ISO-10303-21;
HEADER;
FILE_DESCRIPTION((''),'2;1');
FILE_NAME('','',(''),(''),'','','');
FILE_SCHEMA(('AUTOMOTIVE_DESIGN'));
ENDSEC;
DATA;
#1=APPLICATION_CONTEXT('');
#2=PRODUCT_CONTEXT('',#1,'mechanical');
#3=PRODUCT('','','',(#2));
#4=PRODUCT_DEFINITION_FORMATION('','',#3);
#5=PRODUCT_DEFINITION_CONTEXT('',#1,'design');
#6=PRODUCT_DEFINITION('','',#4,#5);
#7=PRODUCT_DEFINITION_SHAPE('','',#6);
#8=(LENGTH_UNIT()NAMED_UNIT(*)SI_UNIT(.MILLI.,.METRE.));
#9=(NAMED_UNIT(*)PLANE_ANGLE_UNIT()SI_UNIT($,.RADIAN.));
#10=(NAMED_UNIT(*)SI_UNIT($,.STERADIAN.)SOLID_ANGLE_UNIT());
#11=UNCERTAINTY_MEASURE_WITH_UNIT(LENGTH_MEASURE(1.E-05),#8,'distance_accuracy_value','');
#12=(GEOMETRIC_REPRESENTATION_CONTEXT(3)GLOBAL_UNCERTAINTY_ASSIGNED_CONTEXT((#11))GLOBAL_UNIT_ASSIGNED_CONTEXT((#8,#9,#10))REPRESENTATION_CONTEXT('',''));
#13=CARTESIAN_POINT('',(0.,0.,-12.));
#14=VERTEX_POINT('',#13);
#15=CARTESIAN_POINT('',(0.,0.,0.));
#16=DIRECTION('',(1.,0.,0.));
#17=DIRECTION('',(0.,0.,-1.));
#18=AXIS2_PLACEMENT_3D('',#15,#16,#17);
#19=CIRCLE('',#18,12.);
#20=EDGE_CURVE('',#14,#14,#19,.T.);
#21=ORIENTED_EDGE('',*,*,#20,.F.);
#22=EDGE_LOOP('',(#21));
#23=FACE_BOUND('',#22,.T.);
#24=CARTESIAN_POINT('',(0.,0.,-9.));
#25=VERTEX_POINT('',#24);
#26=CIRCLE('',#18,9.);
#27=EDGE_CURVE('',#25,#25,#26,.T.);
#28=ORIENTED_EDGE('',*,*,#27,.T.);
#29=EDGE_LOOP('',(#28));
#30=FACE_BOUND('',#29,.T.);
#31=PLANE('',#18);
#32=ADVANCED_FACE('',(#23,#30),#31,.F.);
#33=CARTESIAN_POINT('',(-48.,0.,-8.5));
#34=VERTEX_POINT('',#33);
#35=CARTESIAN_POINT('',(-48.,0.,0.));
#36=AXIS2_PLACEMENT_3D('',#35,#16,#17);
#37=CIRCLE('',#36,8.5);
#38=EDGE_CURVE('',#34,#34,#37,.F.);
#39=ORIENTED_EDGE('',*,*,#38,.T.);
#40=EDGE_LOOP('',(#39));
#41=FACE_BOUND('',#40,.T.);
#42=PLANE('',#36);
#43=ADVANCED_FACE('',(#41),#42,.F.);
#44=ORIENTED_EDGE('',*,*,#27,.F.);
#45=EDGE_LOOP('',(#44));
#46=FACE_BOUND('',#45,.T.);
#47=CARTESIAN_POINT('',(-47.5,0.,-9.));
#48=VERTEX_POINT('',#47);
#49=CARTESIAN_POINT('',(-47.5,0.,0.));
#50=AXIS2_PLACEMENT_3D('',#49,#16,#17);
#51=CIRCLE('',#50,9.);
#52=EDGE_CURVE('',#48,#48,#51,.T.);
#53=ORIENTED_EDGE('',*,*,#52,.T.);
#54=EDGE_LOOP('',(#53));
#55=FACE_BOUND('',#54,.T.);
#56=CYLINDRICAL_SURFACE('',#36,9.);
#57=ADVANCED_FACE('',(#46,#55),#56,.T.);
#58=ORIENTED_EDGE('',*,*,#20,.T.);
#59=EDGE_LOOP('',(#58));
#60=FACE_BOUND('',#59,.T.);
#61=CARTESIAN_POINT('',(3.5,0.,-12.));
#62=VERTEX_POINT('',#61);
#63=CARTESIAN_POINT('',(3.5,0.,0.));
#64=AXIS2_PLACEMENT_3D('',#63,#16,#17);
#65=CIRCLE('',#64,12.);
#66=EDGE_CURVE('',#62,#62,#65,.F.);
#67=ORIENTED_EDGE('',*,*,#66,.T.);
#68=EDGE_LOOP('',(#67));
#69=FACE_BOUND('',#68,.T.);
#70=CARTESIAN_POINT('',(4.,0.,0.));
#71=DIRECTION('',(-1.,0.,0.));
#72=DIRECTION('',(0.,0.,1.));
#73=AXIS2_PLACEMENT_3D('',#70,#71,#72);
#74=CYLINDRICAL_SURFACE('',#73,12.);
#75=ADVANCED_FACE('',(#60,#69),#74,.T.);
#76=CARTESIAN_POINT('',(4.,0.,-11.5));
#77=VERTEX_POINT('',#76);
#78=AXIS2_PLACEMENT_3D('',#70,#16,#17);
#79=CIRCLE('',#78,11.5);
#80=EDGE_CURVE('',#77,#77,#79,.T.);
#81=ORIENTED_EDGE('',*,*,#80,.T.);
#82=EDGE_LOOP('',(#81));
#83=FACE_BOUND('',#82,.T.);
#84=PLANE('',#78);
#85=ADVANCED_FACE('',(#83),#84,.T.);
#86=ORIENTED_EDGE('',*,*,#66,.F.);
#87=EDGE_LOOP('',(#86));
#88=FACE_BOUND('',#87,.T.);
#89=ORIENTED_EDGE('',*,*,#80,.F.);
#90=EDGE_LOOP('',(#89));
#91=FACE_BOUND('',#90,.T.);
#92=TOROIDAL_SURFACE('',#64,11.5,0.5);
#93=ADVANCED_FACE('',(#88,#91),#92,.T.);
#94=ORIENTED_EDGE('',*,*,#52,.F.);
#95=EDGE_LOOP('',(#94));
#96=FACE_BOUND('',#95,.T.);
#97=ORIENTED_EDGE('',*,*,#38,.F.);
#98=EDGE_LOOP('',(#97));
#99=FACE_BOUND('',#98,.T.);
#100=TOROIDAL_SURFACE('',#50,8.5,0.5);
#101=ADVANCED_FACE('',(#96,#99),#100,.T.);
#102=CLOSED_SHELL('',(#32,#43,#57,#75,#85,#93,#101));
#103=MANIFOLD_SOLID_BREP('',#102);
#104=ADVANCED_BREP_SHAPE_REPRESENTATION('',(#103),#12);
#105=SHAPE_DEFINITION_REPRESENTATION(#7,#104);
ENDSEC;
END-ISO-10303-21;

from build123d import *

# Parameters (mm, degrees)
SKETCH_1_R      = 9
EXTRUDE_1_DEPTH = 48
SKETCH_2_R      = 12
EXTRUDE_2_DEPTH = 4
FILLET_1_R      = 0.5
FILLET_2_R      = 0.5


with BuildPart() as part:
    # 草图1 → 凸台-拉伸1 (new body)
    with BuildSketch(Plane(origin=(0, 0, 0), x_dir=(0, 0, -1), z_dir=(1, 0, 0))):
        Circle(SKETCH_1_R)
    extrude(amount=-EXTRUDE_1_DEPTH)

    # 草图2 → 凸台-拉伸2 (add)
    with BuildSketch(Plane(origin=(0, 0, 0), x_dir=(0, 0, -1), z_dir=(1, 0, 0))):
        Circle(SKETCH_2_R)
    extrude(amount=EXTRUDE_2_DEPTH)

    # 圆角1
    fillet_1_edges = [part.edges().sort_by_distance(p)[0] for p in [
        (4, 0, 12),
    ]]
    fillet(fillet_1_edges, radius=FILLET_1_R)

    # 圆角2
    fillet_2_edges = [part.edges().sort_by_distance(p)[0] for p in [
        (-48, 0, 9),
    ]]
    fillet(fillet_2_edges, radius=FILLET_2_R)


solid = part.part
